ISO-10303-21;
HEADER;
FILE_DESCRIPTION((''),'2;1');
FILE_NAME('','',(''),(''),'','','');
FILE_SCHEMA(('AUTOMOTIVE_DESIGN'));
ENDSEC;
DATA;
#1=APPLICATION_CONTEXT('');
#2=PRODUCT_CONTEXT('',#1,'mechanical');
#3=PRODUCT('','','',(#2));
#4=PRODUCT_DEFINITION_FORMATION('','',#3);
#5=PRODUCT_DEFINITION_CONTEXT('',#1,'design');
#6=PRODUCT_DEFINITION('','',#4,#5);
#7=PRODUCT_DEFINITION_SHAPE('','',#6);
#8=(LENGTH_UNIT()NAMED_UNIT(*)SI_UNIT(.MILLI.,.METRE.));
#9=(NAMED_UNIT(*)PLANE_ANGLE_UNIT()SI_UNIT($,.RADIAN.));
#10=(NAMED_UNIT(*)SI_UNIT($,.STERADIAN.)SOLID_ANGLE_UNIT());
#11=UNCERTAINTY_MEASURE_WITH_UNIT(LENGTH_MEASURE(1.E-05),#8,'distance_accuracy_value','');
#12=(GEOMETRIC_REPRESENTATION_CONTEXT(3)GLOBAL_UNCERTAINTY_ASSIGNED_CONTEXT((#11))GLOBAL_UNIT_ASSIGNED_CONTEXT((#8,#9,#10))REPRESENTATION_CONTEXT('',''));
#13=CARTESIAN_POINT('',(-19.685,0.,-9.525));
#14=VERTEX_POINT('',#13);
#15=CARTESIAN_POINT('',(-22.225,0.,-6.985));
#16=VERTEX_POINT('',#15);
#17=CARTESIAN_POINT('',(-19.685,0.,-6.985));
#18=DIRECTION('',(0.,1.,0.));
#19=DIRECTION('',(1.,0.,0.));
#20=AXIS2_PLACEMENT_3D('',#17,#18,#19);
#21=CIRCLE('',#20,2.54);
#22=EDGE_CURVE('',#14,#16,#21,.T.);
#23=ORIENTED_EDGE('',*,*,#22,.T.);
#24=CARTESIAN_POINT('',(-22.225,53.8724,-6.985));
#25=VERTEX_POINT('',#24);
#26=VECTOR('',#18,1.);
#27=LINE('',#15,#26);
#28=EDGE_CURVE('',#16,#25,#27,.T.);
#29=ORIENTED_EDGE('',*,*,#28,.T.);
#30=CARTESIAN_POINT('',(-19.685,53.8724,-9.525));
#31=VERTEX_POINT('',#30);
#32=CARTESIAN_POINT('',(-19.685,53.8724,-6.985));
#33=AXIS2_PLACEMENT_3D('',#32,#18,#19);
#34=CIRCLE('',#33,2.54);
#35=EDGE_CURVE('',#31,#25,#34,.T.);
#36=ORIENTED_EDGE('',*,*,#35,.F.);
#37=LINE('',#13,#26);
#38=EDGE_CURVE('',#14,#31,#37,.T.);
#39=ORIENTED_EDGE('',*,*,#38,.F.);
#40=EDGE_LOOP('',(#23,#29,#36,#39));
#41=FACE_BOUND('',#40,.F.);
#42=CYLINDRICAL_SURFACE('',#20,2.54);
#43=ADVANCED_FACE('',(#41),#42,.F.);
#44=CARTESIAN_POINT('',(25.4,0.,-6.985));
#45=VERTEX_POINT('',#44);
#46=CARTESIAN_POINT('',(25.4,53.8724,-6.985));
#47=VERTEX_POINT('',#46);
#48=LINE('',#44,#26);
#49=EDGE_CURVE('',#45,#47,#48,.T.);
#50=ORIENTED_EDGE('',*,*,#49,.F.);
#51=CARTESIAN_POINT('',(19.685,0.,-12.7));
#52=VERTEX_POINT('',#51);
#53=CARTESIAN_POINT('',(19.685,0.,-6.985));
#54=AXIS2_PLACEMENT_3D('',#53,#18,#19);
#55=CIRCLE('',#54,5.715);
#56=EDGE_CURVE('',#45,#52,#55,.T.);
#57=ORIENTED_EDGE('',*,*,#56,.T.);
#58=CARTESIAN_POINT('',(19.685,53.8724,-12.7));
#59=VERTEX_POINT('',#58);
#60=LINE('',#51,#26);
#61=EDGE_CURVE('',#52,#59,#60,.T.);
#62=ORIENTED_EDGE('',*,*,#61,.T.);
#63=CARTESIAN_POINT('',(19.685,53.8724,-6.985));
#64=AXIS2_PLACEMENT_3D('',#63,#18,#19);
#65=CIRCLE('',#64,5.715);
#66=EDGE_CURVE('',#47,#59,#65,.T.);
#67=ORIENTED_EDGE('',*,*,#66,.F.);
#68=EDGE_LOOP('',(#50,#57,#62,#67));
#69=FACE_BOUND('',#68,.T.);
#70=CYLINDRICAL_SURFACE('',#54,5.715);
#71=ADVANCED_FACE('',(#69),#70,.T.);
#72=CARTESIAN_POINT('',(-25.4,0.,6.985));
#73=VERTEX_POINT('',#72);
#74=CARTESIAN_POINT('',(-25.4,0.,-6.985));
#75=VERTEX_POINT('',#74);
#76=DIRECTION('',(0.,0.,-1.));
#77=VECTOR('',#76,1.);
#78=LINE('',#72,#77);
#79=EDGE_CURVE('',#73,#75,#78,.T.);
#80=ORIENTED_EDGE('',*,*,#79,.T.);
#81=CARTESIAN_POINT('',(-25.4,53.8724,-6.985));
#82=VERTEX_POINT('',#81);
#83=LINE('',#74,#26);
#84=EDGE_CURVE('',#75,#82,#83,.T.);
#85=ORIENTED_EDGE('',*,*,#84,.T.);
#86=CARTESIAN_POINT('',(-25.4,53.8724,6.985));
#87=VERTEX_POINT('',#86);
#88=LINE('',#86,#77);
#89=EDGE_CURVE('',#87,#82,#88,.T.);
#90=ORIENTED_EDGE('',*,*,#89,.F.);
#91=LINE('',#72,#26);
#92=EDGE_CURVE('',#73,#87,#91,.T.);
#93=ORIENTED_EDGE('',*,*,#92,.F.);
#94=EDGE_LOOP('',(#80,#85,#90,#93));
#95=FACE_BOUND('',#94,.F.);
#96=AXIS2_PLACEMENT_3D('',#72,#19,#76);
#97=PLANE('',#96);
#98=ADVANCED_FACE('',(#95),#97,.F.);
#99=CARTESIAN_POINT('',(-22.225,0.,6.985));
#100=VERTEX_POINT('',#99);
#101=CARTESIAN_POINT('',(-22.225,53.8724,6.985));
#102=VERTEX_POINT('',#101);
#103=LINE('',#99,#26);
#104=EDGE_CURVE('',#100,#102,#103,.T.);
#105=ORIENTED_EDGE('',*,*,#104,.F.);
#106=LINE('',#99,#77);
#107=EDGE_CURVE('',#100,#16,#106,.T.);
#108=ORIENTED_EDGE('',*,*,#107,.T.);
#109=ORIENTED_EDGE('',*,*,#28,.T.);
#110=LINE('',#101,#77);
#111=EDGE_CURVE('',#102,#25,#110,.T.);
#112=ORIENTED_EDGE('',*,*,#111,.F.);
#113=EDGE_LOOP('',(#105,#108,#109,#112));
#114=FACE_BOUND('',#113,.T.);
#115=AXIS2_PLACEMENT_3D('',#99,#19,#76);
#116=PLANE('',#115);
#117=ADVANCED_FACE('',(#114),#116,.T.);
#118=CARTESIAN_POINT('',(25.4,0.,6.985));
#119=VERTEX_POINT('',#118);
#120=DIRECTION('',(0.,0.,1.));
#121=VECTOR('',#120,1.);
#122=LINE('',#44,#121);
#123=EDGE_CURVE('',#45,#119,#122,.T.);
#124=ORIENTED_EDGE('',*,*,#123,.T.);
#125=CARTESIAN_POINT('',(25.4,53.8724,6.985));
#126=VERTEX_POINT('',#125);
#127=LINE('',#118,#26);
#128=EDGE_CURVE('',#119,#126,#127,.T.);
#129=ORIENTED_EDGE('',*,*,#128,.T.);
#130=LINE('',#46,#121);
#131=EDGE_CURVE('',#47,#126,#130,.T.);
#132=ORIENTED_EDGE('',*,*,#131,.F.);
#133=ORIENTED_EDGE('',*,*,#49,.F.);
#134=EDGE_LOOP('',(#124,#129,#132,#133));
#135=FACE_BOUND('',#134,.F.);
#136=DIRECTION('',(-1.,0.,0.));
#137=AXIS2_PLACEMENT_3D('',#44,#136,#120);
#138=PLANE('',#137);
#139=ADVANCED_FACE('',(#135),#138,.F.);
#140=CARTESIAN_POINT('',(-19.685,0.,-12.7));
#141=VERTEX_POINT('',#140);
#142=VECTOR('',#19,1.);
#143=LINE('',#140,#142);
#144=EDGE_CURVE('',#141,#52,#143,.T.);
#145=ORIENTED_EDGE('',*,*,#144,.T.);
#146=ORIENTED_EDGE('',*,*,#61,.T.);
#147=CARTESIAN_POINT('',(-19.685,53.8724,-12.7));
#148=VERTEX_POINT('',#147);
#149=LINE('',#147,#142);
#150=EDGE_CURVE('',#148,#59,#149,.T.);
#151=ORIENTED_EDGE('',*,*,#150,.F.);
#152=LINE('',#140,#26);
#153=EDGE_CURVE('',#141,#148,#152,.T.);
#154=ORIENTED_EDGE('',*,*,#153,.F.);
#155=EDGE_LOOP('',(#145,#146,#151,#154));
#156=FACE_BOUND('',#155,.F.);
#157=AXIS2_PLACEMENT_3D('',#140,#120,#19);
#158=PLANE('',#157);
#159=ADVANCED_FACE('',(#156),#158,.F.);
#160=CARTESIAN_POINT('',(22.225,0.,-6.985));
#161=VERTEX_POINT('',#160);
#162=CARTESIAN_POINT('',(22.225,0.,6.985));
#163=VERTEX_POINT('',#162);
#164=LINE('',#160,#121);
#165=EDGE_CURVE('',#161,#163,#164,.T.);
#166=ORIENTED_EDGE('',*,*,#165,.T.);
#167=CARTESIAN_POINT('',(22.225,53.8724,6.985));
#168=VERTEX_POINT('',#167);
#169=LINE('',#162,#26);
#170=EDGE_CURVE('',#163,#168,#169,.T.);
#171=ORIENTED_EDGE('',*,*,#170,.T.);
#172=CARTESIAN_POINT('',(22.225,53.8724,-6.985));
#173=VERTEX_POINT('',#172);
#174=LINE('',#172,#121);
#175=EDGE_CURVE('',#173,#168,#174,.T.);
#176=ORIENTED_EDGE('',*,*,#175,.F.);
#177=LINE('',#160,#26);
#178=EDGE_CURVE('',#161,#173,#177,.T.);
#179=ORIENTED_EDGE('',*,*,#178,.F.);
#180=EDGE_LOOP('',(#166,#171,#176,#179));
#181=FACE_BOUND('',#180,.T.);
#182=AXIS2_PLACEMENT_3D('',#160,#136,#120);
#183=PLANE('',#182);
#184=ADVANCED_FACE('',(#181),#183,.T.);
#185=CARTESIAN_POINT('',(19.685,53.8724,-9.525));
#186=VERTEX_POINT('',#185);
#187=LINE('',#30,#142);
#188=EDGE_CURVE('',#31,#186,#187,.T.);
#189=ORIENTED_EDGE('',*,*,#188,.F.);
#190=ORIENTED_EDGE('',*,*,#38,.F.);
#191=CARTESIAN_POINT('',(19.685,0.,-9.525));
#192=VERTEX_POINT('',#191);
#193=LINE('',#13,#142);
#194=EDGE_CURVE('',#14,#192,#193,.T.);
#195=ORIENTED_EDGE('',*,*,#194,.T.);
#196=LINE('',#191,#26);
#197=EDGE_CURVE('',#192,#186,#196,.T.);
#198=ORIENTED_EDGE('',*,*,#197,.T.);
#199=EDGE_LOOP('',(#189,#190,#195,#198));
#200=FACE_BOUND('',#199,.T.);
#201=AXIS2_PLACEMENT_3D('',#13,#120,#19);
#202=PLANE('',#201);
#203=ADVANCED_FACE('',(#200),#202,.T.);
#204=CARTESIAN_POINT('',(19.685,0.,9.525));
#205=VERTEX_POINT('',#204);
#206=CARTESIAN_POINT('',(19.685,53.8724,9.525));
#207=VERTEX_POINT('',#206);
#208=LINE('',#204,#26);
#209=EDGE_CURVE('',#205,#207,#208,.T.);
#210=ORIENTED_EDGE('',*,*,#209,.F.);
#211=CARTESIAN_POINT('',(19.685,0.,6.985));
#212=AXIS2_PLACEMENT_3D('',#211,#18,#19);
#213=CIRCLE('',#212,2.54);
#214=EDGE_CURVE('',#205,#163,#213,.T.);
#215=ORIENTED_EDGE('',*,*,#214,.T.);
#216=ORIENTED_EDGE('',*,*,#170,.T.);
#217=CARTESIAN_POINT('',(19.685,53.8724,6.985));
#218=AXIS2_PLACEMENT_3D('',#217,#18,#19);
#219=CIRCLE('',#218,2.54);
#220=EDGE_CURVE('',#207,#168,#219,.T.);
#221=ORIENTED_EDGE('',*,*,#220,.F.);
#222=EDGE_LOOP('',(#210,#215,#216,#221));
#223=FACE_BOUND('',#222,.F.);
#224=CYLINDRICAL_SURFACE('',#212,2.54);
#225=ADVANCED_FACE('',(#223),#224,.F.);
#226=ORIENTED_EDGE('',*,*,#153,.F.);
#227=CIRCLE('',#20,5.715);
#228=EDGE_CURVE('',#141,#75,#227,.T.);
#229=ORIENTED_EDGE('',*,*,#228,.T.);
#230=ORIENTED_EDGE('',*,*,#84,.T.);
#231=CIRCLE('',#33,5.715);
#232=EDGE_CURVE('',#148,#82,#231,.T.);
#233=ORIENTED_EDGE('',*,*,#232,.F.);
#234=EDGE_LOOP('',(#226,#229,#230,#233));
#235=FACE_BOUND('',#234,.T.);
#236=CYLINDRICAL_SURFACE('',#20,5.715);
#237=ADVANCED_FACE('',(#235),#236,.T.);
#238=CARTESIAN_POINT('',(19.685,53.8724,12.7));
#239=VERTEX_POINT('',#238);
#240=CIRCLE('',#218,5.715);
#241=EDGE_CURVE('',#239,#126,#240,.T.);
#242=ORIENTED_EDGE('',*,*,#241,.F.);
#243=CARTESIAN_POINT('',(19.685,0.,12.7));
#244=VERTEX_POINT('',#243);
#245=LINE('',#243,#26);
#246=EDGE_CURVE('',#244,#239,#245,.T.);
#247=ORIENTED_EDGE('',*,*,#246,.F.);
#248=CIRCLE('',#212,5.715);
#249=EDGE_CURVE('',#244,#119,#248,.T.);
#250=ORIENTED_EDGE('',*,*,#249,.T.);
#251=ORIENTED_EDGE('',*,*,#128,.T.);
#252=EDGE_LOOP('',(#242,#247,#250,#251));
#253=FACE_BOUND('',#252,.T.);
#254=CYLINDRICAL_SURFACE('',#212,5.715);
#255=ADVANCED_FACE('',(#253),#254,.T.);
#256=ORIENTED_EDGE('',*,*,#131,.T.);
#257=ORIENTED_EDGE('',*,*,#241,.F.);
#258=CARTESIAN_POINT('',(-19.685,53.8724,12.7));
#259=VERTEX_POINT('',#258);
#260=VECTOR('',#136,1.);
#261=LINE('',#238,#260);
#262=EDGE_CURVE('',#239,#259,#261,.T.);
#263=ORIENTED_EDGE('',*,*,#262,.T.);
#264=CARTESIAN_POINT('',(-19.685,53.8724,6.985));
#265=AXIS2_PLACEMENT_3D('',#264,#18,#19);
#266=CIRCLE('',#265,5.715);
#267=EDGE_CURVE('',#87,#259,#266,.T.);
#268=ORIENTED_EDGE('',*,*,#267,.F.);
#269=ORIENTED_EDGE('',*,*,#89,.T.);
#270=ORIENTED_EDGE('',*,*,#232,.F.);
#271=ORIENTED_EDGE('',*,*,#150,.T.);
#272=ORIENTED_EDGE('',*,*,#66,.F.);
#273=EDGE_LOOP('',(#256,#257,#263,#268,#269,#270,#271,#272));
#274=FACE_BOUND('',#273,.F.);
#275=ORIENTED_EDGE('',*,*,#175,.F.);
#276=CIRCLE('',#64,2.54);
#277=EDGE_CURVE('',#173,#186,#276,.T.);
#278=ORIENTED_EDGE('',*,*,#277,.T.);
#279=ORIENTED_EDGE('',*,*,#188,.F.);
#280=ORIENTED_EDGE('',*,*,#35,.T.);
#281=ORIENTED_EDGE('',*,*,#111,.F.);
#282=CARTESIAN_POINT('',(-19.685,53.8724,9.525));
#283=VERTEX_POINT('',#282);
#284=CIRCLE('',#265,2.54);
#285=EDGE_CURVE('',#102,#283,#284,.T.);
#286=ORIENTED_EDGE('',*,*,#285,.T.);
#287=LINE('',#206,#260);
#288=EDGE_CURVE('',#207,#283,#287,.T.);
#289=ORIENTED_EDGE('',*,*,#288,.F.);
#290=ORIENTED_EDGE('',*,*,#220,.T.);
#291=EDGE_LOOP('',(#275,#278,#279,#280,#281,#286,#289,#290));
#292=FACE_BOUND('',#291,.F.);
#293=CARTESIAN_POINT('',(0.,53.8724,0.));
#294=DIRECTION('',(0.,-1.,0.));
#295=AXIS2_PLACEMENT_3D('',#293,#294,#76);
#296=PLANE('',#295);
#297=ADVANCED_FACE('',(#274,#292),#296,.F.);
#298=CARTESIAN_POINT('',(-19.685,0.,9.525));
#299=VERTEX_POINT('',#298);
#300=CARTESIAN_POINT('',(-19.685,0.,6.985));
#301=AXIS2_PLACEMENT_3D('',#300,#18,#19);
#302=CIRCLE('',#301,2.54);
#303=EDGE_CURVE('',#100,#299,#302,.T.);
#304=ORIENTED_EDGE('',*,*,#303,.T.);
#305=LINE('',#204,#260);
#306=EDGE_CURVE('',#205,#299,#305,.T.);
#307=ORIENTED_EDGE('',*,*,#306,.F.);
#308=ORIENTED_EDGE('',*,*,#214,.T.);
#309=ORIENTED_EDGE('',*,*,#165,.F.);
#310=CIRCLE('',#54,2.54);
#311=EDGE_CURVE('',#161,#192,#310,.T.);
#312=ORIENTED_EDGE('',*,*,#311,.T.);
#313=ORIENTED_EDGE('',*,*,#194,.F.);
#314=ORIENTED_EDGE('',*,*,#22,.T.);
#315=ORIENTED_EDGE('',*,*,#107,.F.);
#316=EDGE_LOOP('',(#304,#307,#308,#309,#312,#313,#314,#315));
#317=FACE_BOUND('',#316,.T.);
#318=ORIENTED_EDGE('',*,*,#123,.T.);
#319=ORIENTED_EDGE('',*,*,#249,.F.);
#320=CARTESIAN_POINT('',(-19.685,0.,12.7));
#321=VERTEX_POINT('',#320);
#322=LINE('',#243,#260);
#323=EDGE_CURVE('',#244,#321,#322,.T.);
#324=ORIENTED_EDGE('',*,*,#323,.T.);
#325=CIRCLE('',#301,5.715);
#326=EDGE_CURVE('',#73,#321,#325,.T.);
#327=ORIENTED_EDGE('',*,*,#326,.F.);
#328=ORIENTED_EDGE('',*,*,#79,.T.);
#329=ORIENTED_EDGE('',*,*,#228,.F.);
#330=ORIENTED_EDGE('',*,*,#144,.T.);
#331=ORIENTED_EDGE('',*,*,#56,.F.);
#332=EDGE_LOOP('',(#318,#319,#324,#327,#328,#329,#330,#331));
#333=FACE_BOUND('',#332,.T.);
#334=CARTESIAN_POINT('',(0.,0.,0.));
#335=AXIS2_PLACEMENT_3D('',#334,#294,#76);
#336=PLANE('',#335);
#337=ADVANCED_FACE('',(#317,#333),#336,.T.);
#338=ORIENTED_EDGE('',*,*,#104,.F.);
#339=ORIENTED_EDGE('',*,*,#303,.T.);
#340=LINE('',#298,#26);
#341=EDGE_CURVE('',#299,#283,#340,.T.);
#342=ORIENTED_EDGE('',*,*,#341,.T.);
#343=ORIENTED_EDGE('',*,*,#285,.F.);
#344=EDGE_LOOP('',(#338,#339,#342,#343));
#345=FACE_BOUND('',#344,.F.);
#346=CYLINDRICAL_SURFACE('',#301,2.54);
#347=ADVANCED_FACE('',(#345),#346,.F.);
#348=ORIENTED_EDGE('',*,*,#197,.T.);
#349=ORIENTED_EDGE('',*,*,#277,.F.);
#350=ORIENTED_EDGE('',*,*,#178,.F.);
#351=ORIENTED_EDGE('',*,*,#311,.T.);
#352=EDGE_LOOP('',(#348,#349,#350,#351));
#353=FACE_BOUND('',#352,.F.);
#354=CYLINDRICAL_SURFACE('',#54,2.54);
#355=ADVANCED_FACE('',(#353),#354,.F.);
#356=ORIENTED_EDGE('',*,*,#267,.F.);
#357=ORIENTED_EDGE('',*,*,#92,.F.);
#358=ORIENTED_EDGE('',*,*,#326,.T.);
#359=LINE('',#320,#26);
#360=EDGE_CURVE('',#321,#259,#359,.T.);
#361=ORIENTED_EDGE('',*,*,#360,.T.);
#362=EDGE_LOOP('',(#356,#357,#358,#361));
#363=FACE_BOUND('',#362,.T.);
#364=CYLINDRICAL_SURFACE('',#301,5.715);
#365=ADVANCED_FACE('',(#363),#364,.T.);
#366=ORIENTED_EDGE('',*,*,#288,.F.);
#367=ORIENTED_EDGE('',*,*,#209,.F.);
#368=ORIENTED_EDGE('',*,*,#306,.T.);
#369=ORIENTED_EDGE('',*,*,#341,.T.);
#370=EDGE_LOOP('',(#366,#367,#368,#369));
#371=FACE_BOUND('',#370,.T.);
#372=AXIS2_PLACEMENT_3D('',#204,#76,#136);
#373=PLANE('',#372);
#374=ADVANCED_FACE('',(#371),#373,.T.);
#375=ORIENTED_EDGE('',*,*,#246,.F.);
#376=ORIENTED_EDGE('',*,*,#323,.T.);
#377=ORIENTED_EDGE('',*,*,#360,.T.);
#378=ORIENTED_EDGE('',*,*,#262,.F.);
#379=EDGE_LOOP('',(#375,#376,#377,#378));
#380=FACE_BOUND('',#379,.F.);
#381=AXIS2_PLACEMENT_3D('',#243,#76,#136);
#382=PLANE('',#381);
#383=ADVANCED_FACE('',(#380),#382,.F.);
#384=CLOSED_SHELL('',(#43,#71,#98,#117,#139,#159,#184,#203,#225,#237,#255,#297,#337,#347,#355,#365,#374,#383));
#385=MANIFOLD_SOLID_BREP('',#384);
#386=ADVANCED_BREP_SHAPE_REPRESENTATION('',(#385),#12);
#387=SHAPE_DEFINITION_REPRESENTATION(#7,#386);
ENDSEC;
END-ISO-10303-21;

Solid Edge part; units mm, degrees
sketch "Sketch1" plane through (0, 0, 0) normal (1, 0, 0) x (0, 1, 0)
  line L0 (0, 0) -> (53.8724, 0)
sketch "Sketch2" plane through (0, 0, 0) normal (0, -1, 0) x (1, 0, 0)
  line L0 (25.4, -6.985) -> (25.4, 6.985)
  arc A0 (19.685, 12.7) -> (25.4, 6.985) centre (19.685, 6.985) cw
  line L1 (19.685, 12.7) -> (-19.685, 12.7)
  arc A1 (-19.685, 12.7) -> (-25.4, 6.985) centre (-19.685, 6.985) ccw
  line L2 (-25.4, 6.985) -> (-25.4, -6.985)
  arc A2 (-25.4, -6.985) -> (-19.685, -12.7) centre (-19.685, -6.985) ccw
  line L3 (-19.685, -12.7) -> (19.685, -12.7)
  arc A3 (19.685, -12.7) -> (25.4, -6.985) centre (19.685, -6.985) ccw
  dimension "D1" = 50.8
  dimension "D2" = 25.4
  dimension "D3" = 5.715
  dimension "D4" = 3.175
sweep "Protrusion_1" add profiles "Sketch2" path "Sketch1"
sketch "Sketch3" plane through (0, 0, 0) normal (1, 0, 0) x (0, 1, 0)
  line L0 (0, 0) -> (53.8724, 0)
sketch "Sketch4" plane through (0, 0, 0) normal (0, -1, 0) x (1, 0, 0)
  line L0 (-19.685, -9.525) -> (19.685, -9.525)
  arc A0 (19.685, -9.525) -> (22.225, -6.985) centre (19.685, -6.985) ccw
  line L1 (22.225, -6.985) -> (22.225, 6.985)
  arc A1 (22.225, 6.985) -> (19.685, 9.525) centre (19.685, 6.985) ccw
  line L2 (19.685, 9.525) -> (-19.685, 9.525)
  arc A2 (-19.685, 9.525) -> (-22.225, 6.985) centre (-19.685, 6.985) ccw
  line L3 (-22.225, 6.985) -> (-22.225, -6.985)
  arc A3 (-22.225, -6.985) -> (-19.685, -9.525) centre (-19.685, -6.985) ccw
  dimension "D1" = 50.8
  dimension "D2" = 25.4
  dimension "D3" = 5.715
  dimension "D4" = 3.175
sweep "Cutout_1" cut profiles "Sketch4" path "Sketch3"
